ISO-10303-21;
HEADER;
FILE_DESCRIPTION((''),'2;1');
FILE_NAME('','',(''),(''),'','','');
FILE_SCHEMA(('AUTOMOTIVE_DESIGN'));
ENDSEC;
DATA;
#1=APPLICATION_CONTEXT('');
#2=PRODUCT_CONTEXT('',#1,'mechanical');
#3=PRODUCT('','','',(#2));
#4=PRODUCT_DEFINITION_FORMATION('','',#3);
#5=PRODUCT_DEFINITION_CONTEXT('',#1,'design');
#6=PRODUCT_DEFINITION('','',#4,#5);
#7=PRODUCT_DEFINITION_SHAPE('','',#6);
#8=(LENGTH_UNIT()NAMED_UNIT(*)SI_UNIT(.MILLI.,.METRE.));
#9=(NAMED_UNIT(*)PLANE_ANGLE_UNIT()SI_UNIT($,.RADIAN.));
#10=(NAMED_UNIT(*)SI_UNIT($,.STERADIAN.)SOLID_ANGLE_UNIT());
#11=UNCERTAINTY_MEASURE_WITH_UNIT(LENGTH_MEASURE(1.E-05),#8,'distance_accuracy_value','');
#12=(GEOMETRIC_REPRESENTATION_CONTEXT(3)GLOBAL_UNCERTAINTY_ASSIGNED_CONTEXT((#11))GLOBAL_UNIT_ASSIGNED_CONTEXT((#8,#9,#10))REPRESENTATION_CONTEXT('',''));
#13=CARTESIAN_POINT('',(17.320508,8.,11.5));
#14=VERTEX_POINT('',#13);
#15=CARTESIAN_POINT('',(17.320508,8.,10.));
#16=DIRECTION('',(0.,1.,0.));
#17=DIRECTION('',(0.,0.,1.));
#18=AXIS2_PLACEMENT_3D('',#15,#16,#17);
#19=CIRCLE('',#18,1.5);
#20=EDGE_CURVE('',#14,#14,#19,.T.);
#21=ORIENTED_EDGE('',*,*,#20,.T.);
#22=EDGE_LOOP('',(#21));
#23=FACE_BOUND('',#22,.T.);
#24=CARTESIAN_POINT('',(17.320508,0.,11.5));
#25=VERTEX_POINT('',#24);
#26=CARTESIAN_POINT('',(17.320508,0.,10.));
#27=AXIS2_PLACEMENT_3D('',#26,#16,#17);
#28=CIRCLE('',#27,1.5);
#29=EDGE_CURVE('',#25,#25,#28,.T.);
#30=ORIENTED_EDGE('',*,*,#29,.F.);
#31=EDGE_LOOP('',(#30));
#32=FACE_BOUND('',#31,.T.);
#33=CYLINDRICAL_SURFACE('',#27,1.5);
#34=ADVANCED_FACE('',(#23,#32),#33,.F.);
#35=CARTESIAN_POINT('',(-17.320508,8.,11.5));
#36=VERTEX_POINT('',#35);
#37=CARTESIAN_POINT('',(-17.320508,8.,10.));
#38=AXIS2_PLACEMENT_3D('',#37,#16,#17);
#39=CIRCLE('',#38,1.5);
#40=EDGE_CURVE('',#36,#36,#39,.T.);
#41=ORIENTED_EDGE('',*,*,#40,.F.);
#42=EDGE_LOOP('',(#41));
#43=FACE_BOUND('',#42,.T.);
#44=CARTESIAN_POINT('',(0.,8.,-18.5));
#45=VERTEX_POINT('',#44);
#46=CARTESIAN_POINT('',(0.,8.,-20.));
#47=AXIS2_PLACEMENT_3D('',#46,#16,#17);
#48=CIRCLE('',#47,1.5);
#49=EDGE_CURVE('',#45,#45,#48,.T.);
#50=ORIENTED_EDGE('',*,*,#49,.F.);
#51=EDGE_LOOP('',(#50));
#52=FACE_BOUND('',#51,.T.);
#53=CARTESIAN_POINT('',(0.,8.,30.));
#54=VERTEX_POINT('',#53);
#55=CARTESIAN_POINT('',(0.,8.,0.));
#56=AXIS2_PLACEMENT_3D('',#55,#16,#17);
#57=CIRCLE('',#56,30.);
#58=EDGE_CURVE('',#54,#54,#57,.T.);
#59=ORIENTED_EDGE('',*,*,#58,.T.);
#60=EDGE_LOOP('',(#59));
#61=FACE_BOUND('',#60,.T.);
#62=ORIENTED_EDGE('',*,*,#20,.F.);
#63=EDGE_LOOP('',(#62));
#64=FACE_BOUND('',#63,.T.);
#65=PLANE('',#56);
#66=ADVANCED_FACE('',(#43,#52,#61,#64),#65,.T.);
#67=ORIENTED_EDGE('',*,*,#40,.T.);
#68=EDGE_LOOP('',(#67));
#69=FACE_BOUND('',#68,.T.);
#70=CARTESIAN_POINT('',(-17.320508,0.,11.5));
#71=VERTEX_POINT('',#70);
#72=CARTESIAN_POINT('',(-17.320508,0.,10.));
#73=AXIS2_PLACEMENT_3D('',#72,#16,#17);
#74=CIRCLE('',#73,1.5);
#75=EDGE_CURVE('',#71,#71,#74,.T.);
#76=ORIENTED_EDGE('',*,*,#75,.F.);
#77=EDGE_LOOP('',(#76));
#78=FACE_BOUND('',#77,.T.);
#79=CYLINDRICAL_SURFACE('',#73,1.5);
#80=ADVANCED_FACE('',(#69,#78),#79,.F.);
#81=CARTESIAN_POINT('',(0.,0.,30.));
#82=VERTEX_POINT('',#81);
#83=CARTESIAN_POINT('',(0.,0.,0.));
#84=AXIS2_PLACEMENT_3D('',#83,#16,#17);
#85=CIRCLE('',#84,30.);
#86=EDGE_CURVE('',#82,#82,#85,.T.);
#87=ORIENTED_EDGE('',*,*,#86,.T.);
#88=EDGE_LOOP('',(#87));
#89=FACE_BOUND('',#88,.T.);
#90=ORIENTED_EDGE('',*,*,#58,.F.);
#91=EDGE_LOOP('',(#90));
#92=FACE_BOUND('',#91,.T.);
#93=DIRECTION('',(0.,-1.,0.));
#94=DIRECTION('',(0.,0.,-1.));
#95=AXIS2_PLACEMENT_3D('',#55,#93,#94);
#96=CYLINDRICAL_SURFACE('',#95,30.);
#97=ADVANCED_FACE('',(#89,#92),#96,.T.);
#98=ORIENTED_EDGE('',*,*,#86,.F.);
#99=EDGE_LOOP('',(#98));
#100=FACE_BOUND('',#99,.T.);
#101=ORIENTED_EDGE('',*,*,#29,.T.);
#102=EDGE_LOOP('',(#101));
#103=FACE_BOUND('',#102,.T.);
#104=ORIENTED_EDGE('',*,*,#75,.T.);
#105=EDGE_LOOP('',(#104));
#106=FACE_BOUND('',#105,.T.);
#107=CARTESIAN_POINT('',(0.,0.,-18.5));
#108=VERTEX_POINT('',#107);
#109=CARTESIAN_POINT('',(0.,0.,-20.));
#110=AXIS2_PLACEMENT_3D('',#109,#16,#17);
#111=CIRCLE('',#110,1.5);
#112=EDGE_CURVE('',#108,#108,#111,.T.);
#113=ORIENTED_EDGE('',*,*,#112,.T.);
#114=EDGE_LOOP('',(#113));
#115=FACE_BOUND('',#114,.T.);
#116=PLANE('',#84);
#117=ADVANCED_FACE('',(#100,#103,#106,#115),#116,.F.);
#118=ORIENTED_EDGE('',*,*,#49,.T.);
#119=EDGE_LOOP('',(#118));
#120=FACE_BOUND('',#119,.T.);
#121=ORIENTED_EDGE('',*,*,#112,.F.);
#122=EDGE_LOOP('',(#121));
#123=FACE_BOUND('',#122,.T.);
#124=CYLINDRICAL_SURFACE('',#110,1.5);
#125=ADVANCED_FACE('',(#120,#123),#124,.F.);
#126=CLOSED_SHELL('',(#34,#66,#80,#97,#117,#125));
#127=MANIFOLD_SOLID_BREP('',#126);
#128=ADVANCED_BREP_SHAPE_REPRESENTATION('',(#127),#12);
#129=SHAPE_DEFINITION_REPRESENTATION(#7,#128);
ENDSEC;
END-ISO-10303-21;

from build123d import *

# Parameters (mm, degrees)
SKETCH_1_R          = 30
EXTRUDE_1_DEPTH     = 8
SKETCH_2_R          = 1.5
CUT_EXTRUDE_1_DEPTH = 8


with BuildPart() as part:
    # 草图1 → 凸台-拉伸1 (new body)
    with BuildSketch(Plane(origin=(0, 0, 0), x_dir=(1, 0, 0), z_dir=(0, 1, 0))):
        Circle(SKETCH_1_R)
    extrude(amount=EXTRUDE_1_DEPTH)

    # 草图2 → 切除-拉伸1 (cut)
    with BuildSketch(Plane(origin=(0, 8, 0), x_dir=(1, 0, 0), z_dir=(0, 1, 0))):
        with Locations((0, 20)):
            Circle(SKETCH_2_R)
        with Locations((17.320508076, -10)):
            Circle(SKETCH_2_R)
        with Locations((-17.320508076, -10)):
            Circle(SKETCH_2_R)
    extrude(amount=-CUT_EXTRUDE_1_DEPTH, mode=Mode.SUBTRACT)


solid = part.part
